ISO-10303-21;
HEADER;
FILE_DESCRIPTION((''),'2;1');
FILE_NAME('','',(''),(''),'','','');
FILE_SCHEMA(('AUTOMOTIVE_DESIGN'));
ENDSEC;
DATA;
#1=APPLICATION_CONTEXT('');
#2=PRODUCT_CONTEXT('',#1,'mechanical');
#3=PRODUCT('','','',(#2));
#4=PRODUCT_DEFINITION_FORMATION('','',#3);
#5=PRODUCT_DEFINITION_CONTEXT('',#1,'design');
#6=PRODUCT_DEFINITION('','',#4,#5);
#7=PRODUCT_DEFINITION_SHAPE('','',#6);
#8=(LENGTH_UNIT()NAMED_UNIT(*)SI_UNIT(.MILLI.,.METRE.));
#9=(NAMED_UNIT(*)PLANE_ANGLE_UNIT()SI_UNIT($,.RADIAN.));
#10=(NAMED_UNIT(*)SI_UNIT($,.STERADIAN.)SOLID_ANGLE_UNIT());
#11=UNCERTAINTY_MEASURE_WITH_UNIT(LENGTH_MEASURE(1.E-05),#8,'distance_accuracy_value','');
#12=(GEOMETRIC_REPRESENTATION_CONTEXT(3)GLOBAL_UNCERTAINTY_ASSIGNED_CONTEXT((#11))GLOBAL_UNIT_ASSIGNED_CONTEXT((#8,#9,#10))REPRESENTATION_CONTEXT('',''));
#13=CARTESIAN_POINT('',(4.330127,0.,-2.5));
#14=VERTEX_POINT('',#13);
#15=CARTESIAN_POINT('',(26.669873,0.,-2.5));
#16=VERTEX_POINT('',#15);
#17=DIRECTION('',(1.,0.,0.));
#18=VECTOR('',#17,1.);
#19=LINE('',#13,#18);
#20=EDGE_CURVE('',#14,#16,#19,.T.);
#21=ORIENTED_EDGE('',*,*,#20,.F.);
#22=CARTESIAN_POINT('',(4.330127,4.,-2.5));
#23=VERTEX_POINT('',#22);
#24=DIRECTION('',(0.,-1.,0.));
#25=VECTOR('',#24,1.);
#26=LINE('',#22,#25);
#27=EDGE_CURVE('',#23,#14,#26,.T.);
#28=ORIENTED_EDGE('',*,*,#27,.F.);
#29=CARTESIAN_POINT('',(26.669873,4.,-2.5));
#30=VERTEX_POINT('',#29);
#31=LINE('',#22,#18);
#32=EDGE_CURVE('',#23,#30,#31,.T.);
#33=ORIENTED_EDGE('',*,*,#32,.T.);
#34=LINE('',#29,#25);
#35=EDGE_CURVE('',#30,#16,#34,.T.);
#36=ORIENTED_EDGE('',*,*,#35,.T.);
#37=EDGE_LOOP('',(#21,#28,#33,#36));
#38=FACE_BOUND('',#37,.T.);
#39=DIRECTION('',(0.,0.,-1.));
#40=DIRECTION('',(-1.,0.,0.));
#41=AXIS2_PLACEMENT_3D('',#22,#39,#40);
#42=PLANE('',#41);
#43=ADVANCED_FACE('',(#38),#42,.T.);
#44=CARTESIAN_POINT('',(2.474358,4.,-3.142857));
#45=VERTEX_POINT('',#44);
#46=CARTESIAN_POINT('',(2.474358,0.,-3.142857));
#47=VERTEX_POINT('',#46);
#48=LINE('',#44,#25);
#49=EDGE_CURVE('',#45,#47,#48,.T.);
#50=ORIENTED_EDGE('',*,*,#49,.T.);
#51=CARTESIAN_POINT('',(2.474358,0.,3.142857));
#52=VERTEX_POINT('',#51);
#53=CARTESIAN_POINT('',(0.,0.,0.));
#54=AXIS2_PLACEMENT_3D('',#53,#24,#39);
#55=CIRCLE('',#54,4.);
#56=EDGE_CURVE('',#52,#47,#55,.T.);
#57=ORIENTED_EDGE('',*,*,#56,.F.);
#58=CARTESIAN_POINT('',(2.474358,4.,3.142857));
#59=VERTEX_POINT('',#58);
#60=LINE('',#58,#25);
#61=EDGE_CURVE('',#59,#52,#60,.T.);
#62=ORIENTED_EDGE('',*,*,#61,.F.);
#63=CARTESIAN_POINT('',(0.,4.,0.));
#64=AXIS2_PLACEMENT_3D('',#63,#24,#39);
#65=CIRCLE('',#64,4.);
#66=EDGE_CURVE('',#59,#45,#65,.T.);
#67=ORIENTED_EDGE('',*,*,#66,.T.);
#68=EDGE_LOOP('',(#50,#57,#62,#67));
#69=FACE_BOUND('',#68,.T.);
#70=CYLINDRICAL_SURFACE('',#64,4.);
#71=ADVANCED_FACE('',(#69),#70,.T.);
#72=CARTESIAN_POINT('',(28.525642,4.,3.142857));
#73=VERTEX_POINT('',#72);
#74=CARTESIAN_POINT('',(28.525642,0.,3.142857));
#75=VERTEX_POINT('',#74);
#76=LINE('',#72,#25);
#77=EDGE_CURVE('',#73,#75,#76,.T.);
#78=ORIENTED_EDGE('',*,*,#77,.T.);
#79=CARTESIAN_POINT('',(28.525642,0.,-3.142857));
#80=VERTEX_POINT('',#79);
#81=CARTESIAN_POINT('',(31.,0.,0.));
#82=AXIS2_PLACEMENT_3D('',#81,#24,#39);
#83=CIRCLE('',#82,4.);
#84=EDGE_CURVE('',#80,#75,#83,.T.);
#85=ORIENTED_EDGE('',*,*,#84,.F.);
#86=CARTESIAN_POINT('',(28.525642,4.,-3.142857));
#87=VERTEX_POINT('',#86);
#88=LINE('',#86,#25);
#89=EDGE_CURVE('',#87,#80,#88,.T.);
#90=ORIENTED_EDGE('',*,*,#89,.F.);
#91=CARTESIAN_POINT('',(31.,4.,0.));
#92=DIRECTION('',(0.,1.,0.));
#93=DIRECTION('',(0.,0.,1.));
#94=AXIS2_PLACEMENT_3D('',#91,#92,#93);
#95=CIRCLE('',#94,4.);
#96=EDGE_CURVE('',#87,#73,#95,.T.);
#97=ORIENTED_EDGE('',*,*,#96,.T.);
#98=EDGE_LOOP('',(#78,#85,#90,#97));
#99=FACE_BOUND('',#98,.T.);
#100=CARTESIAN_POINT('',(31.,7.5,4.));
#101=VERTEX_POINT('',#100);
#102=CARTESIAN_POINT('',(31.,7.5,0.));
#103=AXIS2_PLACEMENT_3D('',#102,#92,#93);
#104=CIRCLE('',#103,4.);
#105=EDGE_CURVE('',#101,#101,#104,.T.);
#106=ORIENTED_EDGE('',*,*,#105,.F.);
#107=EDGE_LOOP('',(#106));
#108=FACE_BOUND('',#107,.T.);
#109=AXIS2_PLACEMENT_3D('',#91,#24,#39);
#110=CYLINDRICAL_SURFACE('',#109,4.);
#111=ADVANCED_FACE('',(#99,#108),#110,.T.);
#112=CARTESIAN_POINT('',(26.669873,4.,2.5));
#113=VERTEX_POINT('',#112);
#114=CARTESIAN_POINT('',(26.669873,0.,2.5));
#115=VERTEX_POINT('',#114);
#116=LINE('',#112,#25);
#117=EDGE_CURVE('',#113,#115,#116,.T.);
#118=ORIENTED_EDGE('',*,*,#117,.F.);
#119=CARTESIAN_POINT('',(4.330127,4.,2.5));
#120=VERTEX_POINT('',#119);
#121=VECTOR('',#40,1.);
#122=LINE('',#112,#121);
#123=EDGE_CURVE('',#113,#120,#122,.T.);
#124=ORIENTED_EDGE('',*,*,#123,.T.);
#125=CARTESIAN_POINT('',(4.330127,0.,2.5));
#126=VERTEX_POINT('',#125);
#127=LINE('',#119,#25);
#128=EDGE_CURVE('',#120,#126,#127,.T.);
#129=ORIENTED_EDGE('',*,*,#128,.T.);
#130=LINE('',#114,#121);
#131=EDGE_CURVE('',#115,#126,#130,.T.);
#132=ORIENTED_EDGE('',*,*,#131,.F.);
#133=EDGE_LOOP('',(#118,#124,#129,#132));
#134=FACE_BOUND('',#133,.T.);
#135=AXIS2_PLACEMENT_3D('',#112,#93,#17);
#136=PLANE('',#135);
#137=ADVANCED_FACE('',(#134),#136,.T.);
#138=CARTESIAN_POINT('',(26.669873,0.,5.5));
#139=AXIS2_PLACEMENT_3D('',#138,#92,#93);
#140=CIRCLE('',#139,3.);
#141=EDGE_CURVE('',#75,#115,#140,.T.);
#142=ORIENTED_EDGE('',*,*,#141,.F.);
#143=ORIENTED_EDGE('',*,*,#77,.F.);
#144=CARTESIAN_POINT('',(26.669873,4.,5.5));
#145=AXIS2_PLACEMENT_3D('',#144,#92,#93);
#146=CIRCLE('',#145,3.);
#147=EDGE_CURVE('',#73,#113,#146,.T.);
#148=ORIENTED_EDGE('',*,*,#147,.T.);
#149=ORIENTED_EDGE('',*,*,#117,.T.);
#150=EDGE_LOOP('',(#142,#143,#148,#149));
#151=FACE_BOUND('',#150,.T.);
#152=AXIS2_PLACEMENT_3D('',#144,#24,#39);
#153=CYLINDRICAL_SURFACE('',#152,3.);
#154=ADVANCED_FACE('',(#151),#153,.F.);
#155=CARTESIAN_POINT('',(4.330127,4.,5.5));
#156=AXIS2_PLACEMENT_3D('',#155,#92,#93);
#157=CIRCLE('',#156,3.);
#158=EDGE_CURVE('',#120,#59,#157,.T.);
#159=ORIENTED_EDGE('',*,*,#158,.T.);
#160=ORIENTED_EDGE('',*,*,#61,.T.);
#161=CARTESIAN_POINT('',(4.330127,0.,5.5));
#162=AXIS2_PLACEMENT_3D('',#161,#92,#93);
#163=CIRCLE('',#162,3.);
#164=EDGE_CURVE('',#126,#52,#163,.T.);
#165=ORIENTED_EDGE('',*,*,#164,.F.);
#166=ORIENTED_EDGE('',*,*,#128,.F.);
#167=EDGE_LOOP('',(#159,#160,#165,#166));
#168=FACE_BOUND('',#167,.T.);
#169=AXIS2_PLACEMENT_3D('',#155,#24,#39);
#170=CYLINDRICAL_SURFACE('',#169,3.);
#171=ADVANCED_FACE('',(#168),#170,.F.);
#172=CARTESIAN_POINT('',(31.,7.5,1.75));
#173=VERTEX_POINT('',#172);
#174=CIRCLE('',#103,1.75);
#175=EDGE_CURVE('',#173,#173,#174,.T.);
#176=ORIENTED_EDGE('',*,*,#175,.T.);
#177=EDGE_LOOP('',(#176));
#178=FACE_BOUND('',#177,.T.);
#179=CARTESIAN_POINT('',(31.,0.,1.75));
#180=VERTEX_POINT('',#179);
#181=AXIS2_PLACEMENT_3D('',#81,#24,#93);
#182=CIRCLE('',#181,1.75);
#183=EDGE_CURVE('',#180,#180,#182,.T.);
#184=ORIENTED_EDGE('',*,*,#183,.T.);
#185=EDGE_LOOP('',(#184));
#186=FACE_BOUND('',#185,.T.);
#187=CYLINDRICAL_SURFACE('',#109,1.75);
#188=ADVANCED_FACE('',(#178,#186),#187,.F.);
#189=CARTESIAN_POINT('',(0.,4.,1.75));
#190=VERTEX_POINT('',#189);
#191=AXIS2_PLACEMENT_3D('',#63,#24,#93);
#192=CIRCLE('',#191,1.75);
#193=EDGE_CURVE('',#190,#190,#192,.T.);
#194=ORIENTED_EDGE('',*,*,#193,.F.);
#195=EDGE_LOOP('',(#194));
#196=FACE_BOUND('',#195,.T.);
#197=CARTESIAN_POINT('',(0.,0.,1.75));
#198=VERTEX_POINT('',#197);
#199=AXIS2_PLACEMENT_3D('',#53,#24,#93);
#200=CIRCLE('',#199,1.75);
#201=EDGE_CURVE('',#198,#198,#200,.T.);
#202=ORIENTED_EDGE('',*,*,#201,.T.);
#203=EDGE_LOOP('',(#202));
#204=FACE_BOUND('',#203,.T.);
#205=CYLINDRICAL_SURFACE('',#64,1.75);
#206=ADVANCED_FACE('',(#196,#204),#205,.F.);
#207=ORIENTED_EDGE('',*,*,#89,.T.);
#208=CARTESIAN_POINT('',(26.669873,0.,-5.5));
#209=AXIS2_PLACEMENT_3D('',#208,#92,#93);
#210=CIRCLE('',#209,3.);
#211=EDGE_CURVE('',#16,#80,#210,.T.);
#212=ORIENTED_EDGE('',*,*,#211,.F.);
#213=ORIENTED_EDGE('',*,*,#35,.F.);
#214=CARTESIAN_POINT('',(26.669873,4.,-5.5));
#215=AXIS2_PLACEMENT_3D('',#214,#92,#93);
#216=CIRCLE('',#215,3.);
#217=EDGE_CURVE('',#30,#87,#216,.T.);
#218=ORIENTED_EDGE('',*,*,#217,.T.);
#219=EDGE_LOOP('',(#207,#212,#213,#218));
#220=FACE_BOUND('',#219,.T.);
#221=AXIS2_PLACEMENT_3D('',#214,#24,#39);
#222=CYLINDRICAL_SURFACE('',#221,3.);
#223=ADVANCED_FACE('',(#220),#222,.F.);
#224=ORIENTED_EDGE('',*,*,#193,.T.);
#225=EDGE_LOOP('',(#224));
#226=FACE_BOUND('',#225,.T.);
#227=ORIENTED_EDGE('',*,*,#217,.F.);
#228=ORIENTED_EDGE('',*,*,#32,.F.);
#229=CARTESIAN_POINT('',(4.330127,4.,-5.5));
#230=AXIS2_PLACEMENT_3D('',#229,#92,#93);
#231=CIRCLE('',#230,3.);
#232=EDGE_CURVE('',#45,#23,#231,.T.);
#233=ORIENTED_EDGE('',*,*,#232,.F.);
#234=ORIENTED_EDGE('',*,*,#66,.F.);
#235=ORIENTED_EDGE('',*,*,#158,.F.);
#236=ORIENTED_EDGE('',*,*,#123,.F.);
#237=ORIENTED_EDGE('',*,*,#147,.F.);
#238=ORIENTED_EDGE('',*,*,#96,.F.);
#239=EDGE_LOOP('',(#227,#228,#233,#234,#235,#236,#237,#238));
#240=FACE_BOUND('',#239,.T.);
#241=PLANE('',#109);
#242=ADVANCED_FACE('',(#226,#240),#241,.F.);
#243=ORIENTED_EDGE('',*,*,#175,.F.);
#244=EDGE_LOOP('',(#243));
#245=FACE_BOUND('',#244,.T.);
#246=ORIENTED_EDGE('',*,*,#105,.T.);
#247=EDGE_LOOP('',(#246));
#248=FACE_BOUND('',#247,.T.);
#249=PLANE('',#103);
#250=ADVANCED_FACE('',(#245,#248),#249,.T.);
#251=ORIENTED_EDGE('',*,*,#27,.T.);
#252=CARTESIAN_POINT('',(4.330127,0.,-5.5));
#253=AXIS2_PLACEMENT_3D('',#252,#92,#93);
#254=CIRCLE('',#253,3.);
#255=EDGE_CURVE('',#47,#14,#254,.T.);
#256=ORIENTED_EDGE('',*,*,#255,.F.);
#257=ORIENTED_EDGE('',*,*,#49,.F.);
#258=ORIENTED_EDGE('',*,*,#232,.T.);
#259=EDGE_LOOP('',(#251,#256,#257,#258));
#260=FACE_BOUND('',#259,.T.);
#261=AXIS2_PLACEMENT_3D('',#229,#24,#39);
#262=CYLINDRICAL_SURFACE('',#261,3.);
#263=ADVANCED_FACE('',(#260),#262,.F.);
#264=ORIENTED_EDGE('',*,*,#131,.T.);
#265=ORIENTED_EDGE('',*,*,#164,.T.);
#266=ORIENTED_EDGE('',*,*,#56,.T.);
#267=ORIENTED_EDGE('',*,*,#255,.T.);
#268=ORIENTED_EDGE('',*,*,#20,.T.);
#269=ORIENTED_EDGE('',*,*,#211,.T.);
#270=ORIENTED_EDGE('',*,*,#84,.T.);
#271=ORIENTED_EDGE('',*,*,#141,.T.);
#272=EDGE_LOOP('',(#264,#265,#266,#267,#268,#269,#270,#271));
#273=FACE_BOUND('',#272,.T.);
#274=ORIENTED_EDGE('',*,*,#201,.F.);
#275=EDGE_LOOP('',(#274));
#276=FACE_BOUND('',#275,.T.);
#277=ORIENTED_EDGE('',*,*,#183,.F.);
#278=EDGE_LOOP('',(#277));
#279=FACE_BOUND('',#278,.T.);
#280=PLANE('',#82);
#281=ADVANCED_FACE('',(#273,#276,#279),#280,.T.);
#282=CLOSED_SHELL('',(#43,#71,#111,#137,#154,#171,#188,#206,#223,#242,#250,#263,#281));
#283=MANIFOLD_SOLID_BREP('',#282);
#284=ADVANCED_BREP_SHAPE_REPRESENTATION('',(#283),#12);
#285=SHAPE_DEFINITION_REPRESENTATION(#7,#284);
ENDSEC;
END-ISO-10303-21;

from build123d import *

# Parameters (mm, degrees)
SKETCH1_R           = 1.75
BOSS_EXTRUDE1_DEPTH = 4
SKETCH2_R           = 4
SKETCH2_R_2         = 1.75
BOSS_EXTRUDE2_DEPTH = 3.5


with BuildPart() as part:
    # Sketch1 → Boss-Extrude1 (new body)
    with BuildSketch(Plane.XZ):
        with BuildLine():
            Line((26.669872981, 2.5), (4.330127019, 2.5))
            ThreePointArc((4.330127019, 2.5), (3.348146513, 2.665266452), (2.474358297, 3.142857143))
            ThreePointArc((2.474358297, 3.142857143), (-4, 0), (2.474358297, -3.142857143))
            ThreePointArc((2.474358297, -3.142857143), (3.348146513, -2.665266452), (4.330127019, -2.5))
            Line((4.330127019, -2.5), (26.669872981, -2.5))
            ThreePointArc((26.669872981, -2.5), (27.651853487, -2.665266452), (28.525641703, -3.142857143))
            ThreePointArc((28.525641703, -3.142857143), (35, 0), (28.525641703, 3.142857143))
            ThreePointArc((28.525641703, 3.142857143), (27.651853487, 2.665266452), (26.669872981, 2.5))
        make_face()
        with Locations(Location((31, 0, 0), (0, 0, 90))):
            Circle(SKETCH1_R, mode=Mode.SUBTRACT)
        with Locations(Location((0, 0, 0), (0, 0, 90))):
            Circle(SKETCH1_R, mode=Mode.SUBTRACT)
    extrude(amount=-BOSS_EXTRUDE1_DEPTH)

    # Sketch2 → Boss-Extrude2 (add)
    with BuildSketch(Plane(origin=(0, 4, 0), x_dir=(1, 0, 0), z_dir=(0, 1, 0))):
        with Locations(Location((31, 0, 0), (0, 0, 128.213210702))):
            Circle(SKETCH2_R)
        with Locations(Location((31, 0, 0), (0, 0, 270))):
            Circle(SKETCH2_R_2, mode=Mode.SUBTRACT)
    extrude(amount=BOSS_EXTRUDE2_DEPTH)


solid = part.part
